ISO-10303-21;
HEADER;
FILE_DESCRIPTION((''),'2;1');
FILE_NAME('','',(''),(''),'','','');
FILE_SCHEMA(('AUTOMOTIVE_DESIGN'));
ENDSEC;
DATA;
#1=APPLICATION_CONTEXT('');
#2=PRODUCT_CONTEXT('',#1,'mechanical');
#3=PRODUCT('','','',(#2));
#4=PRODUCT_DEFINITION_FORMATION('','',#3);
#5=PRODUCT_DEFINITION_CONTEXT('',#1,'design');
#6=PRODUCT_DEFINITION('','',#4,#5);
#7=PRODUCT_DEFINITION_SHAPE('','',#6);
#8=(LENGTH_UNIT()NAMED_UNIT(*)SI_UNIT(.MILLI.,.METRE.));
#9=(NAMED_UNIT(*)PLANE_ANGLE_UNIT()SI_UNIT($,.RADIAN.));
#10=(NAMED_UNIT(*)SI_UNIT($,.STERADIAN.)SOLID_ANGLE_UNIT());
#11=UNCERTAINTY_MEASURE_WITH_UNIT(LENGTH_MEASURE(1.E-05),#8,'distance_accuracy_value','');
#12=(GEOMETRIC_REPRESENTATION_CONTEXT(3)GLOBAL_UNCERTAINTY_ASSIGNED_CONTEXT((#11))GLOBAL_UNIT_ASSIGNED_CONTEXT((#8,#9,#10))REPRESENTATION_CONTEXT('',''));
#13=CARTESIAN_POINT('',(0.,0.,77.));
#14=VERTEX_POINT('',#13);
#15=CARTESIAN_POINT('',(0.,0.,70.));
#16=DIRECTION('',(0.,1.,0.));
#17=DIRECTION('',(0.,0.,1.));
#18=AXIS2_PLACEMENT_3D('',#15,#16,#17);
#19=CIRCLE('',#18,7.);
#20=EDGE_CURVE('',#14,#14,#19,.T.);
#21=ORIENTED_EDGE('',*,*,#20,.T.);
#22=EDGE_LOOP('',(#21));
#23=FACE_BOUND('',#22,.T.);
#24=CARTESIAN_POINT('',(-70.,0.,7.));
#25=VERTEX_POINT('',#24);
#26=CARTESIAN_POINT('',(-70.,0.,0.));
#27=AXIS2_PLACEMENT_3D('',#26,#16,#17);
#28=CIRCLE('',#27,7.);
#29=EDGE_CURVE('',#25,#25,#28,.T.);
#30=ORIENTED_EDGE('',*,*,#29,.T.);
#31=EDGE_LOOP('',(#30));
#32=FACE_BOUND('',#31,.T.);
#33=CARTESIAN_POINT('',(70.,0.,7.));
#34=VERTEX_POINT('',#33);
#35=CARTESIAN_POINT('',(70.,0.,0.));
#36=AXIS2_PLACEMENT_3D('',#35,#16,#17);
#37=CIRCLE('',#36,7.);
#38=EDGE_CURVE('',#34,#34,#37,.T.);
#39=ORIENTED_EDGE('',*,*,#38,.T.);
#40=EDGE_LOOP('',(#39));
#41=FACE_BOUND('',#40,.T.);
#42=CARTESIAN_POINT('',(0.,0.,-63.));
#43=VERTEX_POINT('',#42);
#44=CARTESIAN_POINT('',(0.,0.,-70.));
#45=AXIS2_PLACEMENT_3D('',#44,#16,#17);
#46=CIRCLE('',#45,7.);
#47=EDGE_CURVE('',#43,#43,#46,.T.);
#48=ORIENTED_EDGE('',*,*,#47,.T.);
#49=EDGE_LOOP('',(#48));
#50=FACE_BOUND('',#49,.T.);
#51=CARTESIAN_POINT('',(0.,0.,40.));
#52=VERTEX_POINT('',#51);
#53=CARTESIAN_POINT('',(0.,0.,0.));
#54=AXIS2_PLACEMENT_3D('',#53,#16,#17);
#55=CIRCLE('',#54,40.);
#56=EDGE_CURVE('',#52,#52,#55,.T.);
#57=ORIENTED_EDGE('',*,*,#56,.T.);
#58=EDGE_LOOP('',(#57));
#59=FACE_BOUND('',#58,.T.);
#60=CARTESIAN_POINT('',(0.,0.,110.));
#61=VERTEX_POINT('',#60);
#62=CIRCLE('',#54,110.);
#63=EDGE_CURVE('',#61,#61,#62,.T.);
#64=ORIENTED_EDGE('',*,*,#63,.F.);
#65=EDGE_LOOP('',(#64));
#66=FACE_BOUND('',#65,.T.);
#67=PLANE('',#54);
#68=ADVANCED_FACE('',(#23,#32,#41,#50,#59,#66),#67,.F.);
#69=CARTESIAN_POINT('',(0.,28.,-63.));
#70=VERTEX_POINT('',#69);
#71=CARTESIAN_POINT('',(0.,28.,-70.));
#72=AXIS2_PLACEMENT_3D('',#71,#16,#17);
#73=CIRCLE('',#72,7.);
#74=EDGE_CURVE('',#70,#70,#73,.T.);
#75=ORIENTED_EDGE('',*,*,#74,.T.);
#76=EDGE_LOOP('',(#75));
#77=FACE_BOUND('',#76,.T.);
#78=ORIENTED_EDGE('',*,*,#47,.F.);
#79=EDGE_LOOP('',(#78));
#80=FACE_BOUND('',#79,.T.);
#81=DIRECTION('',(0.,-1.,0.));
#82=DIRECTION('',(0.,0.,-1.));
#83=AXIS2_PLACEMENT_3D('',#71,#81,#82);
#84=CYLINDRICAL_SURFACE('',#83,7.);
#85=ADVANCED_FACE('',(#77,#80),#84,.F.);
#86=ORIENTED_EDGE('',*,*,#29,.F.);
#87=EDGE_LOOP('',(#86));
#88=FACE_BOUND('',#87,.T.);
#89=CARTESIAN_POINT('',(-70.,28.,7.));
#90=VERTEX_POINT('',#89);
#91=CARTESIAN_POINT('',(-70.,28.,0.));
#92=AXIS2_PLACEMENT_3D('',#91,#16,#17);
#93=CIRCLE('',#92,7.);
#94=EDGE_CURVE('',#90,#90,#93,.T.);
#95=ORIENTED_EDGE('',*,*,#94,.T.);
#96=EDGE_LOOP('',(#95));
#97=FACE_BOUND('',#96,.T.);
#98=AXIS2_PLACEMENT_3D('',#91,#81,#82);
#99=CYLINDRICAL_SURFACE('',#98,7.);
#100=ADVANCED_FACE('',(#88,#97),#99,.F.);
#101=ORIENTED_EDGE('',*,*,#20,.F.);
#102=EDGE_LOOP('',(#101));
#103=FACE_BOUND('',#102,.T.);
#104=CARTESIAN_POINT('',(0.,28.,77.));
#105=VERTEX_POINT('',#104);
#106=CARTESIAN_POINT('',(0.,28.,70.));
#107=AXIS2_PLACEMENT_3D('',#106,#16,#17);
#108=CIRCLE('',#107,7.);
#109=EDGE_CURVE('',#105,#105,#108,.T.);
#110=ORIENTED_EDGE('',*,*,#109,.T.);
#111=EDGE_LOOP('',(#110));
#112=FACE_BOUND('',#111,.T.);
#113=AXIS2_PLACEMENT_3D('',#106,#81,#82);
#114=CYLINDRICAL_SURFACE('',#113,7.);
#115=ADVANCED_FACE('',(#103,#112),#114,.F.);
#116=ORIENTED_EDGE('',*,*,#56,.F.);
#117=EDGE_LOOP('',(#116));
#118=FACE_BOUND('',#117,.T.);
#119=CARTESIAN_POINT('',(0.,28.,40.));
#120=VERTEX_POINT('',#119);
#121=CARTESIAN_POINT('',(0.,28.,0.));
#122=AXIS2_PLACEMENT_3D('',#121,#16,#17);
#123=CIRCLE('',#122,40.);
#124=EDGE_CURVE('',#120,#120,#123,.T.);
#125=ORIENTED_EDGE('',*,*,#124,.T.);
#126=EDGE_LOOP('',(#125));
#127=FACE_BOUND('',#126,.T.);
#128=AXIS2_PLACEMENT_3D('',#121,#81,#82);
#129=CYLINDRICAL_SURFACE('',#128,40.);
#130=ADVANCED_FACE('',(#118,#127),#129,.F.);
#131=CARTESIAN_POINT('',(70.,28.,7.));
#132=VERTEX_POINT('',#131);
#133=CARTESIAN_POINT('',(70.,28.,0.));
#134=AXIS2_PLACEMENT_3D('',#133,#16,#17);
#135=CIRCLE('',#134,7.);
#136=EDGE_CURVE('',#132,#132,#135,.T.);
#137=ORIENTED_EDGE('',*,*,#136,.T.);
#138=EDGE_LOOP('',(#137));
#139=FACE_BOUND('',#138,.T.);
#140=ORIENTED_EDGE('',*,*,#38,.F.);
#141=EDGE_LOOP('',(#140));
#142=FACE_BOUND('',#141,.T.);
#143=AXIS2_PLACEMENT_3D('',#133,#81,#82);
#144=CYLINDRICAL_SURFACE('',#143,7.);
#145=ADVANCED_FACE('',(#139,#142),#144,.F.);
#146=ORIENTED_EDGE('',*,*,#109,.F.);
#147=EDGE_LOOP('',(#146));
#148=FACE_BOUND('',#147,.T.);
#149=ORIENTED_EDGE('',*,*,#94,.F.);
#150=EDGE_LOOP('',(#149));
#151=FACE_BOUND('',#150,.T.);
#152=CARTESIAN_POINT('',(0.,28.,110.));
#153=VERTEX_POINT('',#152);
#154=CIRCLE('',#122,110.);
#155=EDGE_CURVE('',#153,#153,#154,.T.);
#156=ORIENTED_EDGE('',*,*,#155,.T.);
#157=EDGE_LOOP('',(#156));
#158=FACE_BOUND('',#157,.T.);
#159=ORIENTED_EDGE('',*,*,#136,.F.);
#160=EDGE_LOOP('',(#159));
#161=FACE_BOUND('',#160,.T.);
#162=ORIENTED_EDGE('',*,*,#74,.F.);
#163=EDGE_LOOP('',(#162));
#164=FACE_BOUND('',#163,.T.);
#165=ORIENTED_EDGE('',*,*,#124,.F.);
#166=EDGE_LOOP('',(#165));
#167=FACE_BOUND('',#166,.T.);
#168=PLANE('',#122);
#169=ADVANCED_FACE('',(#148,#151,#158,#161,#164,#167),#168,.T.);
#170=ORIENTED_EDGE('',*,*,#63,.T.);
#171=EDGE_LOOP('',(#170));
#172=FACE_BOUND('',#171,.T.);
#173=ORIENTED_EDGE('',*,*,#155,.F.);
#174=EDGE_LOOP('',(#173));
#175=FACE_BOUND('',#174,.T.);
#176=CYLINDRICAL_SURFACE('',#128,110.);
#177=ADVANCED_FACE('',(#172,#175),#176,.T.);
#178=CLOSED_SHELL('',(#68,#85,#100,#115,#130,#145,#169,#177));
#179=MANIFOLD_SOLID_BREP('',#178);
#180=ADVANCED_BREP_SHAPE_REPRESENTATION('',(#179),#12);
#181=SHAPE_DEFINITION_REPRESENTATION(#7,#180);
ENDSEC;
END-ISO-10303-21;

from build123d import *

# Parameters (mm, degrees)
SKETCH_1_R      = 110
SKETCH_1_R_2    = 40
SKETCH_1_R_3    = 7
EXTRUDE_1_DEPTH = 28


with BuildPart() as part:
    # 草图1 → 凸台-拉伸1 (new body)
    with BuildSketch(Plane(origin=(0, 0, 0), x_dir=(1, 0, 0), z_dir=(0, 1, 0))):
        with Locations(Location((0, 0, 0), (0, 0, 270))):
            Circle(SKETCH_1_R)
        with Locations(Location((0, 0, 0), (0, 0, 270))):
            Circle(SKETCH_1_R_2, mode=Mode.SUBTRACT)
        with Locations(Location((70, 0, 0), (0, 0, 270))):
            Circle(SKETCH_1_R_3, mode=Mode.SUBTRACT)
        with Locations(Location((-70, 0, 0), (0, 0, 270))):
            Circle(SKETCH_1_R_3, mode=Mode.SUBTRACT)
        with Locations(Location((0, 70, 0), (0, 0, 270))):
            Circle(SKETCH_1_R_3, mode=Mode.SUBTRACT)
        with Locations(Location((0, -70, 0), (0, 0, 270))):
            Circle(SKETCH_1_R_3, mode=Mode.SUBTRACT)
    extrude(amount=EXTRUDE_1_DEPTH)


solid = part.part
